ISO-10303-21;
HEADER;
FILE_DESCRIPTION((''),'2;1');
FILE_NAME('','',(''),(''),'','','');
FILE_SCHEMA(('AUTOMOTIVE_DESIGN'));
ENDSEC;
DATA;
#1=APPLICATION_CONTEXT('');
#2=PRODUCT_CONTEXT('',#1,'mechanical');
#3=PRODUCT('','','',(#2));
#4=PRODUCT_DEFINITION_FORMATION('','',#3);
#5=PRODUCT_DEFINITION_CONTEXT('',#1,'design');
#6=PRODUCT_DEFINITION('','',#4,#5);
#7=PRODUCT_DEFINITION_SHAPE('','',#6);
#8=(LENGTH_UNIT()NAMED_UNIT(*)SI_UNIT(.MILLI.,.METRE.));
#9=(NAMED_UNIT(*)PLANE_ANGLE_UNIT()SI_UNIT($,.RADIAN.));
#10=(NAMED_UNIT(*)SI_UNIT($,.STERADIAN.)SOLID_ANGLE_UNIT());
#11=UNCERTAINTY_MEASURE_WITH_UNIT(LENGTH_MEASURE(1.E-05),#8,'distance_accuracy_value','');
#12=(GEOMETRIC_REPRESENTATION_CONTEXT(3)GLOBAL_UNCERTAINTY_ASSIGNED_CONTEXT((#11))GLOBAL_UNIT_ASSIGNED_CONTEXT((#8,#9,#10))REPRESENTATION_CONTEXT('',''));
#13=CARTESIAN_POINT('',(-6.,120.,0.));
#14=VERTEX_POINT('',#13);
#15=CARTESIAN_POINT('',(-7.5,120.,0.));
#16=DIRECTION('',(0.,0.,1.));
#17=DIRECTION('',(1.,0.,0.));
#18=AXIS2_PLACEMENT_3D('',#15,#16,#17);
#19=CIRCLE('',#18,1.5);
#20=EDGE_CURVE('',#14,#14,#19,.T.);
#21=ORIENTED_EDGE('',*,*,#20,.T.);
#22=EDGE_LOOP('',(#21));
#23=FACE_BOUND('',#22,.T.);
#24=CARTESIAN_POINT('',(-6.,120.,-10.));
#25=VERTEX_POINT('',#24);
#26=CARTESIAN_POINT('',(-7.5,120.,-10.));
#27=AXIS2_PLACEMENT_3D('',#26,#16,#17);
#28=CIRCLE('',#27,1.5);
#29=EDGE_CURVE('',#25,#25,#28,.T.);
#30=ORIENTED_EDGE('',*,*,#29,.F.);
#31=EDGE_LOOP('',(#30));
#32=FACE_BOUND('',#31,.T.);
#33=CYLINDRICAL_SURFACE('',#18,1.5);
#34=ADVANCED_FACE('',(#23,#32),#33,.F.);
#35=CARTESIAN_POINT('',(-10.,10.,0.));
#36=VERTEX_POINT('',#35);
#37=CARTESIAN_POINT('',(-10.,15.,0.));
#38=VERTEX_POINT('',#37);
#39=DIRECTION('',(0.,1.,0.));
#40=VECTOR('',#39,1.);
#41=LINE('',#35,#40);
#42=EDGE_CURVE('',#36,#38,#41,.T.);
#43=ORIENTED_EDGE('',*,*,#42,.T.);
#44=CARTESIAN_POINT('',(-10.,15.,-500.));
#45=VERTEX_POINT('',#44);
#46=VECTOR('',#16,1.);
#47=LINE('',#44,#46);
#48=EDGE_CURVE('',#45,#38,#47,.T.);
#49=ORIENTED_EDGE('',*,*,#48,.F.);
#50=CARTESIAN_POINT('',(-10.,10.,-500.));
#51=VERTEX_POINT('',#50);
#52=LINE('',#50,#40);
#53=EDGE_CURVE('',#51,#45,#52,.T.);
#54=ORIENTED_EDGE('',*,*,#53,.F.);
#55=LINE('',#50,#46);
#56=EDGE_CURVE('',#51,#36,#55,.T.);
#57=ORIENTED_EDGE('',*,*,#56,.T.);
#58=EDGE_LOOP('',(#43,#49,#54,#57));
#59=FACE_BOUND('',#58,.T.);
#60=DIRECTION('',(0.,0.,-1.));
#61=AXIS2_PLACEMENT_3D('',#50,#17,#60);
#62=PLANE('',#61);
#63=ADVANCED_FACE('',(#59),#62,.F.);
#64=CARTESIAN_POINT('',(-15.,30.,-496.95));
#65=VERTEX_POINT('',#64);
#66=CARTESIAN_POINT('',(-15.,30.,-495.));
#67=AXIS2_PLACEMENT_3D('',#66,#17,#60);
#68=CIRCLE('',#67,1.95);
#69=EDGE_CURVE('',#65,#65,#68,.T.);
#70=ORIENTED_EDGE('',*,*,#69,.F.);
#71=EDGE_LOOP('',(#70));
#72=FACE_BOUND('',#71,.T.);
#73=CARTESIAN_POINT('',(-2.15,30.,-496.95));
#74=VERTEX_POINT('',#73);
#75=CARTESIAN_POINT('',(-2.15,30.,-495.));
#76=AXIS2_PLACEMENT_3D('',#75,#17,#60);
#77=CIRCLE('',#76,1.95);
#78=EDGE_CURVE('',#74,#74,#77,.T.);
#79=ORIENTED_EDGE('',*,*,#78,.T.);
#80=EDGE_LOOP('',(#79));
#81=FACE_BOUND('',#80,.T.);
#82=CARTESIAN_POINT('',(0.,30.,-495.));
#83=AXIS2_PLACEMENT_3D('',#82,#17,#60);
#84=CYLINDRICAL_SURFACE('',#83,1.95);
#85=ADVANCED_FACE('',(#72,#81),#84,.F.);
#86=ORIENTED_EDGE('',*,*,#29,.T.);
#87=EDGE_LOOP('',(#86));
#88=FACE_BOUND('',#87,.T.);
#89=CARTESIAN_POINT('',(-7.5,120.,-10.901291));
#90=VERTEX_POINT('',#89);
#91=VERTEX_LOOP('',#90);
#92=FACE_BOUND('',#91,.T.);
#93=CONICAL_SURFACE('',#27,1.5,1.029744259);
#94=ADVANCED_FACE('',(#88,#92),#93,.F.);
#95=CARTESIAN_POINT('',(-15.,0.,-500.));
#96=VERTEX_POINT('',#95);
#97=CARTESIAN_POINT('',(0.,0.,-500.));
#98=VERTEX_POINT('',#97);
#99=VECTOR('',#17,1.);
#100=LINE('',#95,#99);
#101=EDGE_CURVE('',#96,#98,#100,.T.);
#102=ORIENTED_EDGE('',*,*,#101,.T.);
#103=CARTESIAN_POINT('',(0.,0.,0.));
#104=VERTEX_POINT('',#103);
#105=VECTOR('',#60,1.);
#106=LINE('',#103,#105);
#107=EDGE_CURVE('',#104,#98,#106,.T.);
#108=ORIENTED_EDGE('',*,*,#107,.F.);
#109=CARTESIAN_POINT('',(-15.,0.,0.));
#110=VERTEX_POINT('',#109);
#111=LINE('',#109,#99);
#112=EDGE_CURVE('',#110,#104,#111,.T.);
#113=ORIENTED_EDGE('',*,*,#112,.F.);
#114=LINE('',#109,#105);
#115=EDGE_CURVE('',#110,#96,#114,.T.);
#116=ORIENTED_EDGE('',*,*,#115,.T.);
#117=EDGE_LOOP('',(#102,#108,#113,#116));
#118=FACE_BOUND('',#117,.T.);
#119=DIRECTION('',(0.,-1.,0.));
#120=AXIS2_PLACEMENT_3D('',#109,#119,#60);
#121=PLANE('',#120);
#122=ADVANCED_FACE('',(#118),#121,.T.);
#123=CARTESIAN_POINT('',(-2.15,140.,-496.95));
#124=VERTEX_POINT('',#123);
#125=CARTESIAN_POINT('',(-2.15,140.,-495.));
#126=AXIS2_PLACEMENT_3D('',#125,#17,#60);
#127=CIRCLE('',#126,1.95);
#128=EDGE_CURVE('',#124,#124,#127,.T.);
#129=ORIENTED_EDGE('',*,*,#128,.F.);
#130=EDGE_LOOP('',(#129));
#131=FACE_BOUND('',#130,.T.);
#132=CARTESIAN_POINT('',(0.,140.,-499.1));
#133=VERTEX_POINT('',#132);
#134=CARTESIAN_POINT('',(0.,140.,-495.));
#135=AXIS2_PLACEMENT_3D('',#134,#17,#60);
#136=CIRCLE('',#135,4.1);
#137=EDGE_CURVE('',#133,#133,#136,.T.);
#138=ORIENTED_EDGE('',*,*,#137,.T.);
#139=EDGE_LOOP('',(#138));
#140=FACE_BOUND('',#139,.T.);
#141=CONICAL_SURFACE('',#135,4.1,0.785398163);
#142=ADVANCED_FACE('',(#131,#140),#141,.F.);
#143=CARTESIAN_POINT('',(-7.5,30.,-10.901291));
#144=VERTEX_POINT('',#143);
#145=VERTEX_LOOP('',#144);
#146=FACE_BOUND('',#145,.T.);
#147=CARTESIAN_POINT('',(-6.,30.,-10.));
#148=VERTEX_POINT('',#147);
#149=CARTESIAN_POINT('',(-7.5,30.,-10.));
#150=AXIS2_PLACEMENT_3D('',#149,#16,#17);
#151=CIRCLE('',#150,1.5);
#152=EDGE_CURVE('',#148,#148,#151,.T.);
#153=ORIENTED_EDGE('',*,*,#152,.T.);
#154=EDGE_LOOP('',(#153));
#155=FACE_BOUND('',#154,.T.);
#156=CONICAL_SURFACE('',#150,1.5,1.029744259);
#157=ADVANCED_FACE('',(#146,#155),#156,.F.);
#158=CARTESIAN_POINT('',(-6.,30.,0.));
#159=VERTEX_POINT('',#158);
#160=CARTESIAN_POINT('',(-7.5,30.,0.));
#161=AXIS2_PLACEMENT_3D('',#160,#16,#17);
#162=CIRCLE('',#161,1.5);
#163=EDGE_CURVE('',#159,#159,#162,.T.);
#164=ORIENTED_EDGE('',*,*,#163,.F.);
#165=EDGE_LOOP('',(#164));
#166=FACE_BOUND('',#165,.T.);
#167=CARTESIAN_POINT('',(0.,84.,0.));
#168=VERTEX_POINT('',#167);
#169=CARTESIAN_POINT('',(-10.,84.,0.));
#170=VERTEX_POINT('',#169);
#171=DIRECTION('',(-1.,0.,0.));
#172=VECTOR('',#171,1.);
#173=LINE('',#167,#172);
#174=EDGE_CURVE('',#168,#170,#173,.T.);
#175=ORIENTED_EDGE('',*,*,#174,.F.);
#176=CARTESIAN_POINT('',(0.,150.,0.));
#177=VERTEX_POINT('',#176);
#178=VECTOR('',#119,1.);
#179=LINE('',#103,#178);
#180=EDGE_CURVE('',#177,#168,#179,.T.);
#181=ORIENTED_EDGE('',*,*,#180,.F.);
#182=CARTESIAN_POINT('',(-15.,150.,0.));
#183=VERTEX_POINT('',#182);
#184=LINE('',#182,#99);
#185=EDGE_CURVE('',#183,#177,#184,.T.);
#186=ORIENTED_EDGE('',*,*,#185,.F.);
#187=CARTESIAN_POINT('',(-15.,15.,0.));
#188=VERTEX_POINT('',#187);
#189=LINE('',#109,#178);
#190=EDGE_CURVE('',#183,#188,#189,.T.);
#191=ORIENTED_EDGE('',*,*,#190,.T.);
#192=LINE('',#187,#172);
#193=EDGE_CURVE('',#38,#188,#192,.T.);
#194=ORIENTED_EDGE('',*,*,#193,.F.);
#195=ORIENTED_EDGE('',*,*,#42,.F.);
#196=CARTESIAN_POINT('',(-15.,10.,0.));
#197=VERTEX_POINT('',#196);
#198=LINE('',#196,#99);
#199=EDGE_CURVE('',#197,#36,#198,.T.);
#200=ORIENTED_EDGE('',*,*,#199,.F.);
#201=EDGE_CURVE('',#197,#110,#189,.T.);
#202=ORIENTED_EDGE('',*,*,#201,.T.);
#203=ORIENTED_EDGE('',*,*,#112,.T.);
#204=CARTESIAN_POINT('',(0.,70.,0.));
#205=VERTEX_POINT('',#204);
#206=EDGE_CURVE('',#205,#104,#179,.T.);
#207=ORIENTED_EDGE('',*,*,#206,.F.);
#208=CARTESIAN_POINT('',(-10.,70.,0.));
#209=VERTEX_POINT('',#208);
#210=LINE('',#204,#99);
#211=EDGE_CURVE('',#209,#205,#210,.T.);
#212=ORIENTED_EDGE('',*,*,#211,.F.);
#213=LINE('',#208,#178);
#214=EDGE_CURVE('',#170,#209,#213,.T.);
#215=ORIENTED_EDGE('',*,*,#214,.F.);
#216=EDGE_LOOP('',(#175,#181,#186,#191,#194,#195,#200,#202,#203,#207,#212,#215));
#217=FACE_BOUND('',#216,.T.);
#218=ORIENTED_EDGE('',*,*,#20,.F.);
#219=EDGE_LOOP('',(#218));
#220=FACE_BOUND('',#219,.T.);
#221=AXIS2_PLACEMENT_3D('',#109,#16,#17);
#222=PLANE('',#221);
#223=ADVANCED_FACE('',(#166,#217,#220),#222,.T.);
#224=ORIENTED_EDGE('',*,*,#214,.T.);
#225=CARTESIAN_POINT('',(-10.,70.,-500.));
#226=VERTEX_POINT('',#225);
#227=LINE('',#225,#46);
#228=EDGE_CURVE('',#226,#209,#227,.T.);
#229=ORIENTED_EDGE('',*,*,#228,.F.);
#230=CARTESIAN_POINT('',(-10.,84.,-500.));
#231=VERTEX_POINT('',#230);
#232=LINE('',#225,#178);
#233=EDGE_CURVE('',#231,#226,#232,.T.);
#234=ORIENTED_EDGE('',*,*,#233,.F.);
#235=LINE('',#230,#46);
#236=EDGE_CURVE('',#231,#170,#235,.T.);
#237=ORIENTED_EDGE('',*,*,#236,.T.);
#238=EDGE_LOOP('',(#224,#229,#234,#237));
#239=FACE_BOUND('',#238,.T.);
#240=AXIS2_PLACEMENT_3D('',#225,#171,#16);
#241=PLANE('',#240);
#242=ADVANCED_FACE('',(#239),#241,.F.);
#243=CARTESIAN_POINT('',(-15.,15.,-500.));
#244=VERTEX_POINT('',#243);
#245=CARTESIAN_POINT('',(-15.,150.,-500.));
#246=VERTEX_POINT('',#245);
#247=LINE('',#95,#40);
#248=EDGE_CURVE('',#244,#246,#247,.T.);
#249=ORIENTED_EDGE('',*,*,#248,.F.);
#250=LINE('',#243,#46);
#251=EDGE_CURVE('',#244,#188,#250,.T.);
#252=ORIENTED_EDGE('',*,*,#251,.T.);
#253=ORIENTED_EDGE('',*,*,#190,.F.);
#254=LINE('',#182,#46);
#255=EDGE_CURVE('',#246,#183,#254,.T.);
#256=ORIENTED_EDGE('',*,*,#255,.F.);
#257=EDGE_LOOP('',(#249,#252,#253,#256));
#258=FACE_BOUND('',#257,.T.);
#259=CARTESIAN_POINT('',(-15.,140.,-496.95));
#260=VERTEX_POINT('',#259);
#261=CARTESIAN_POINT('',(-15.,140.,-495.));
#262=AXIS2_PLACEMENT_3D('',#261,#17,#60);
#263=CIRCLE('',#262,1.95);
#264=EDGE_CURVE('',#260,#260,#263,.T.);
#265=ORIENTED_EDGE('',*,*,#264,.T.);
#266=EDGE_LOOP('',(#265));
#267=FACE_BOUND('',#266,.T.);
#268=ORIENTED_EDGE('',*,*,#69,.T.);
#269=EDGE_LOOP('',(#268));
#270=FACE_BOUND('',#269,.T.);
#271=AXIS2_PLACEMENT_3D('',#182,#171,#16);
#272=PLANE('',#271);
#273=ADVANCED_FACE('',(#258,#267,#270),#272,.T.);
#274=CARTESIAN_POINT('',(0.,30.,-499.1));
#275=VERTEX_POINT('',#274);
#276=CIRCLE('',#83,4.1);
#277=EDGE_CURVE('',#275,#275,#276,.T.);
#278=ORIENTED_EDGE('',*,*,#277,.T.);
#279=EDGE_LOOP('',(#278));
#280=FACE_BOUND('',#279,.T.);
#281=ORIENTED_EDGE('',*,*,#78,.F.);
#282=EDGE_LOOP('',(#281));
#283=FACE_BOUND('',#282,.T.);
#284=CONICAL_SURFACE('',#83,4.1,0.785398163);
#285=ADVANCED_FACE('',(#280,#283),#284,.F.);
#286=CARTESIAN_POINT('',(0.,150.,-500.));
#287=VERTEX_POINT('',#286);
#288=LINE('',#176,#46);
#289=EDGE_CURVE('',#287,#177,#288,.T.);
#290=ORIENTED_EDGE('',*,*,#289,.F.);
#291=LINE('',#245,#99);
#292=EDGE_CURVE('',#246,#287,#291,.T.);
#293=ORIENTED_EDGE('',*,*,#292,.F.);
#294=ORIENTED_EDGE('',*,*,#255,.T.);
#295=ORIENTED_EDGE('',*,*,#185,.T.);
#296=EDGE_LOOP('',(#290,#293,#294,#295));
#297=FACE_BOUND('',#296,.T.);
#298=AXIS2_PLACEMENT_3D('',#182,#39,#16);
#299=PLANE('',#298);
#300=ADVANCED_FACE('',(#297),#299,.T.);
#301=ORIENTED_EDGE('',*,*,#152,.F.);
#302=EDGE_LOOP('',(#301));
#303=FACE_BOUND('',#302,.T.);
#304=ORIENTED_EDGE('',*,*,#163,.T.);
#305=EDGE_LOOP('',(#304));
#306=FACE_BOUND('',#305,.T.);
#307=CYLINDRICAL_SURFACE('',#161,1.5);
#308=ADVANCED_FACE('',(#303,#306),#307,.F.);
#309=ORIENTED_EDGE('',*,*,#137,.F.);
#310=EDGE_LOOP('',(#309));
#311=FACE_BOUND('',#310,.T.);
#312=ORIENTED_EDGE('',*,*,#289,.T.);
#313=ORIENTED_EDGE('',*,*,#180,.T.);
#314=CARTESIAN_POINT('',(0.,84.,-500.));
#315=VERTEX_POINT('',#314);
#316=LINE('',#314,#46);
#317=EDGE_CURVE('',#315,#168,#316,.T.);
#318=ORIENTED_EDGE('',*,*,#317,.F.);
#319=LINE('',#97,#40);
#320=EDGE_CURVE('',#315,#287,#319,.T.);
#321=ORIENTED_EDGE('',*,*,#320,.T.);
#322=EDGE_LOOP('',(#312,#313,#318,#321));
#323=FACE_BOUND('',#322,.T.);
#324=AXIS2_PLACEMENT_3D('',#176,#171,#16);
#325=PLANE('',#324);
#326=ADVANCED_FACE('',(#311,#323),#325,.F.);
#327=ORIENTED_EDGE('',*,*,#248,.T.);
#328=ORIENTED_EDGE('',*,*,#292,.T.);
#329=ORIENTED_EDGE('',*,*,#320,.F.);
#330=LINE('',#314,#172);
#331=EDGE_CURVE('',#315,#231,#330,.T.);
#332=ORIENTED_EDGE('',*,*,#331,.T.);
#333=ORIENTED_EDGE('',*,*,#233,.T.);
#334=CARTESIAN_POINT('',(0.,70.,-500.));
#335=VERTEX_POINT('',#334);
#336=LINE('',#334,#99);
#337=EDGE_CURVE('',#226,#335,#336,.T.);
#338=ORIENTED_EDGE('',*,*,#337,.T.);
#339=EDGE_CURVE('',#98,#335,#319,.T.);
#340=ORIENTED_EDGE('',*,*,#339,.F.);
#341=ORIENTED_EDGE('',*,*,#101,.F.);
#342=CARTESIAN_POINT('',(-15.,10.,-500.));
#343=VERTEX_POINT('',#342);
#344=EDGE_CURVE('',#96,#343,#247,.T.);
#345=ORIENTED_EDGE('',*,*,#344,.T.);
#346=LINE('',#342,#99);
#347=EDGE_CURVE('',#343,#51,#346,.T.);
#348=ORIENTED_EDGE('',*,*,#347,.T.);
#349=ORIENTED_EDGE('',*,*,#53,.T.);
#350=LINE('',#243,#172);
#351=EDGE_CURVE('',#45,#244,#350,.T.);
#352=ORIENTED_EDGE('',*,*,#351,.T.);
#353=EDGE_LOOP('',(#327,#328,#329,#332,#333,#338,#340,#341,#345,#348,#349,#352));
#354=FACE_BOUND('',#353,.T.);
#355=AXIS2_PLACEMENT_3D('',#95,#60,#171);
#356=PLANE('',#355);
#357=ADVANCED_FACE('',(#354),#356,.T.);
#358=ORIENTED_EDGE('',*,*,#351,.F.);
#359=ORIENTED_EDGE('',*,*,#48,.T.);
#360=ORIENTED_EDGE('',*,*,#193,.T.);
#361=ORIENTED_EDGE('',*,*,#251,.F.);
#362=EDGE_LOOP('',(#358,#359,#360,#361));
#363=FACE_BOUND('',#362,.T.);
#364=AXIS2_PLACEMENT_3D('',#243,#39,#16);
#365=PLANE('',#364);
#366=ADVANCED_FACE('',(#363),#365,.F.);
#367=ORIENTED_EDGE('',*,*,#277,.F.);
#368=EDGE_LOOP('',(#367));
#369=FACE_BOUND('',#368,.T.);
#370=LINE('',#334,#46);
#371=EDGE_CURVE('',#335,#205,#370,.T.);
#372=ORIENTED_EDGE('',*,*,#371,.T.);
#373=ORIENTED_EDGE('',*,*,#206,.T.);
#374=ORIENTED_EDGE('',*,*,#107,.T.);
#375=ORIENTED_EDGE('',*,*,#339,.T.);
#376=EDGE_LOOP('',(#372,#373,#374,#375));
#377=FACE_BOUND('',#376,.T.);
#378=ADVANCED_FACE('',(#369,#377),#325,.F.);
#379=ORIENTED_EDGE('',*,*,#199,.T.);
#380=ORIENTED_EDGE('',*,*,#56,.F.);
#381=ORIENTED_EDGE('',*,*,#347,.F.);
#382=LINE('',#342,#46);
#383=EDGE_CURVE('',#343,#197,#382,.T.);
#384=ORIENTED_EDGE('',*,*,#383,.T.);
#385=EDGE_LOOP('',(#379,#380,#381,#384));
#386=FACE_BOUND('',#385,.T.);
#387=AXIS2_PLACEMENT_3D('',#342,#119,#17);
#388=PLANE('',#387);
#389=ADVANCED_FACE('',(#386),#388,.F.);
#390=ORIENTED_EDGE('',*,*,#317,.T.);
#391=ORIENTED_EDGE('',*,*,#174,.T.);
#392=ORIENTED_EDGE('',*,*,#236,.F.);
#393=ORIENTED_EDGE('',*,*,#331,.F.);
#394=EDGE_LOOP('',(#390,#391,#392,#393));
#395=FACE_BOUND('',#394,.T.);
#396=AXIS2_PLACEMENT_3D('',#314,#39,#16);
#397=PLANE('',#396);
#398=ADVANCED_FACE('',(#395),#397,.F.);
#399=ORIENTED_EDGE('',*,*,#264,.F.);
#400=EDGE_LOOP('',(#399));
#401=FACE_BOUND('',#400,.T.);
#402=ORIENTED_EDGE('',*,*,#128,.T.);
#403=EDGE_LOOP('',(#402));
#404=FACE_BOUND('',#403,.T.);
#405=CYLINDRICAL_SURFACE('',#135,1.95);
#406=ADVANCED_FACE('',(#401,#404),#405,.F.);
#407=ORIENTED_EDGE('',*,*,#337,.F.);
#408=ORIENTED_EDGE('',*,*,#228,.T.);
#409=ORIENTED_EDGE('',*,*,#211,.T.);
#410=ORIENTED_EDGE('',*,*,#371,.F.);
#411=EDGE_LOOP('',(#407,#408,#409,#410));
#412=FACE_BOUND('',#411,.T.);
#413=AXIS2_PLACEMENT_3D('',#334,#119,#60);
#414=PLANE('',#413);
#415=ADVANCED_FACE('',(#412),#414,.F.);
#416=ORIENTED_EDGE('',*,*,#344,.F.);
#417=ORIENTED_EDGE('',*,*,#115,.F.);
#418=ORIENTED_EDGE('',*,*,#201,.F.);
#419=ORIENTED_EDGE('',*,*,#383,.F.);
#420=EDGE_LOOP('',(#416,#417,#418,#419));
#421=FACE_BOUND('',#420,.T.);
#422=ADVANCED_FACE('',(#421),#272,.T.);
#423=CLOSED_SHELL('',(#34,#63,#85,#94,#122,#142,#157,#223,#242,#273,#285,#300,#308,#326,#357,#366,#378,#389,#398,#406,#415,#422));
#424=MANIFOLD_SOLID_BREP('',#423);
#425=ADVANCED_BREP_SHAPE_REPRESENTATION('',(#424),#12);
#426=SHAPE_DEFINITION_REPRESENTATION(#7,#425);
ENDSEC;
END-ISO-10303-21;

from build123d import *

# Parameters (mm, degrees)
SKETCH2_W                                         = 500
SKETCH2_H                                         = 150
BASE_EXTRUDE_DEPTH                                = 15
SKETCH3_W                                         = 10
SKETCH3_H                                         = 14
CUT_EXTRUDE1_DEPTH                                = 523.230791892
SKETCH4_W                                         = 5
SKETCH4_H                                         = 5
CUT_EXTRUDE2_DEPTH                                = 523.230791892
CSK_FOR_M3_5_FLAT_HEAD_MACHINE_SCREW1_D           = 3.9
CSK_FOR_M3_5_FLAT_HEAD_MACHINE_SCREW1_CSINK_D     = 8.2
CSK_FOR_M3_5_FLAT_HEAD_MACHINE_SCREW1_CSINK_ANGLE = 90
M3_0_3_000000_DIAMETER_HOLE1_D                    = 3
M3_0_3_000000_DIAMETER_HOLE1_DEPTH                = 10
M3_0_3_000000_DIAMETER_HOLE1_TIP                  = 0.901290929


with BuildPart() as part:
    # Sketch2 → Base-Extrude (new body)
    with BuildSketch(Plane(origin=(0, 0, 0), x_dir=(0, 0, -1), z_dir=(1, 0, 0))):
        with Locations((250, 75)):
            Rectangle(SKETCH2_W, SKETCH2_H)
    extrude(amount=-BASE_EXTRUDE_DEPTH)

    # Sketch3 → Cut-Extrude1 (cut, through all)
    with BuildSketch(Plane.XY):
        with Locations((-5, 77)):
            Rectangle(SKETCH3_W, SKETCH3_H)
    extrude(amount=-CUT_EXTRUDE1_DEPTH, mode=Mode.SUBTRACT)

    # Sketch4 → Cut-Extrude2 (cut, through all)
    with BuildSketch(Plane.XY):
        with Locations((-12.5, 12.5)):
            Rectangle(SKETCH4_W, SKETCH4_H)
    extrude(amount=-CUT_EXTRUDE2_DEPTH, mode=Mode.SUBTRACT)

    # CSK for M3.5 Flat Head Machine Screw1 (through all)
    with Locations(Plane(origin=(0, 0, 0), x_dir=(0, 0, -1), z_dir=(1, 0, 0))):
        with Locations((495, 140), (495, 30)):
            CounterSinkHole(CSK_FOR_M3_5_FLAT_HEAD_MACHINE_SCREW1_D / 2, CSK_FOR_M3_5_FLAT_HEAD_MACHINE_SCREW1_CSINK_D / 2, counter_sink_angle=CSK_FOR_M3_5_FLAT_HEAD_MACHINE_SCREW1_CSINK_ANGLE)

    # M3.0 (3.000000) Diameter Hole1
    with Locations(Plane.XY):
        with Locations((-7.5, 30), (-7.5, 120)):
            Hole(M3_0_3_000000_DIAMETER_HOLE1_D / 2, depth=M3_0_3_000000_DIAMETER_HOLE1_DEPTH)
            with Locations((0, 0, -(M3_0_3_000000_DIAMETER_HOLE1_DEPTH + M3_0_3_000000_DIAMETER_HOLE1_TIP / 2))):  # 118° drill point
                Cone(0, M3_0_3_000000_DIAMETER_HOLE1_D / 2, M3_0_3_000000_DIAMETER_HOLE1_TIP, mode=Mode.SUBTRACT)


solid = part.part
